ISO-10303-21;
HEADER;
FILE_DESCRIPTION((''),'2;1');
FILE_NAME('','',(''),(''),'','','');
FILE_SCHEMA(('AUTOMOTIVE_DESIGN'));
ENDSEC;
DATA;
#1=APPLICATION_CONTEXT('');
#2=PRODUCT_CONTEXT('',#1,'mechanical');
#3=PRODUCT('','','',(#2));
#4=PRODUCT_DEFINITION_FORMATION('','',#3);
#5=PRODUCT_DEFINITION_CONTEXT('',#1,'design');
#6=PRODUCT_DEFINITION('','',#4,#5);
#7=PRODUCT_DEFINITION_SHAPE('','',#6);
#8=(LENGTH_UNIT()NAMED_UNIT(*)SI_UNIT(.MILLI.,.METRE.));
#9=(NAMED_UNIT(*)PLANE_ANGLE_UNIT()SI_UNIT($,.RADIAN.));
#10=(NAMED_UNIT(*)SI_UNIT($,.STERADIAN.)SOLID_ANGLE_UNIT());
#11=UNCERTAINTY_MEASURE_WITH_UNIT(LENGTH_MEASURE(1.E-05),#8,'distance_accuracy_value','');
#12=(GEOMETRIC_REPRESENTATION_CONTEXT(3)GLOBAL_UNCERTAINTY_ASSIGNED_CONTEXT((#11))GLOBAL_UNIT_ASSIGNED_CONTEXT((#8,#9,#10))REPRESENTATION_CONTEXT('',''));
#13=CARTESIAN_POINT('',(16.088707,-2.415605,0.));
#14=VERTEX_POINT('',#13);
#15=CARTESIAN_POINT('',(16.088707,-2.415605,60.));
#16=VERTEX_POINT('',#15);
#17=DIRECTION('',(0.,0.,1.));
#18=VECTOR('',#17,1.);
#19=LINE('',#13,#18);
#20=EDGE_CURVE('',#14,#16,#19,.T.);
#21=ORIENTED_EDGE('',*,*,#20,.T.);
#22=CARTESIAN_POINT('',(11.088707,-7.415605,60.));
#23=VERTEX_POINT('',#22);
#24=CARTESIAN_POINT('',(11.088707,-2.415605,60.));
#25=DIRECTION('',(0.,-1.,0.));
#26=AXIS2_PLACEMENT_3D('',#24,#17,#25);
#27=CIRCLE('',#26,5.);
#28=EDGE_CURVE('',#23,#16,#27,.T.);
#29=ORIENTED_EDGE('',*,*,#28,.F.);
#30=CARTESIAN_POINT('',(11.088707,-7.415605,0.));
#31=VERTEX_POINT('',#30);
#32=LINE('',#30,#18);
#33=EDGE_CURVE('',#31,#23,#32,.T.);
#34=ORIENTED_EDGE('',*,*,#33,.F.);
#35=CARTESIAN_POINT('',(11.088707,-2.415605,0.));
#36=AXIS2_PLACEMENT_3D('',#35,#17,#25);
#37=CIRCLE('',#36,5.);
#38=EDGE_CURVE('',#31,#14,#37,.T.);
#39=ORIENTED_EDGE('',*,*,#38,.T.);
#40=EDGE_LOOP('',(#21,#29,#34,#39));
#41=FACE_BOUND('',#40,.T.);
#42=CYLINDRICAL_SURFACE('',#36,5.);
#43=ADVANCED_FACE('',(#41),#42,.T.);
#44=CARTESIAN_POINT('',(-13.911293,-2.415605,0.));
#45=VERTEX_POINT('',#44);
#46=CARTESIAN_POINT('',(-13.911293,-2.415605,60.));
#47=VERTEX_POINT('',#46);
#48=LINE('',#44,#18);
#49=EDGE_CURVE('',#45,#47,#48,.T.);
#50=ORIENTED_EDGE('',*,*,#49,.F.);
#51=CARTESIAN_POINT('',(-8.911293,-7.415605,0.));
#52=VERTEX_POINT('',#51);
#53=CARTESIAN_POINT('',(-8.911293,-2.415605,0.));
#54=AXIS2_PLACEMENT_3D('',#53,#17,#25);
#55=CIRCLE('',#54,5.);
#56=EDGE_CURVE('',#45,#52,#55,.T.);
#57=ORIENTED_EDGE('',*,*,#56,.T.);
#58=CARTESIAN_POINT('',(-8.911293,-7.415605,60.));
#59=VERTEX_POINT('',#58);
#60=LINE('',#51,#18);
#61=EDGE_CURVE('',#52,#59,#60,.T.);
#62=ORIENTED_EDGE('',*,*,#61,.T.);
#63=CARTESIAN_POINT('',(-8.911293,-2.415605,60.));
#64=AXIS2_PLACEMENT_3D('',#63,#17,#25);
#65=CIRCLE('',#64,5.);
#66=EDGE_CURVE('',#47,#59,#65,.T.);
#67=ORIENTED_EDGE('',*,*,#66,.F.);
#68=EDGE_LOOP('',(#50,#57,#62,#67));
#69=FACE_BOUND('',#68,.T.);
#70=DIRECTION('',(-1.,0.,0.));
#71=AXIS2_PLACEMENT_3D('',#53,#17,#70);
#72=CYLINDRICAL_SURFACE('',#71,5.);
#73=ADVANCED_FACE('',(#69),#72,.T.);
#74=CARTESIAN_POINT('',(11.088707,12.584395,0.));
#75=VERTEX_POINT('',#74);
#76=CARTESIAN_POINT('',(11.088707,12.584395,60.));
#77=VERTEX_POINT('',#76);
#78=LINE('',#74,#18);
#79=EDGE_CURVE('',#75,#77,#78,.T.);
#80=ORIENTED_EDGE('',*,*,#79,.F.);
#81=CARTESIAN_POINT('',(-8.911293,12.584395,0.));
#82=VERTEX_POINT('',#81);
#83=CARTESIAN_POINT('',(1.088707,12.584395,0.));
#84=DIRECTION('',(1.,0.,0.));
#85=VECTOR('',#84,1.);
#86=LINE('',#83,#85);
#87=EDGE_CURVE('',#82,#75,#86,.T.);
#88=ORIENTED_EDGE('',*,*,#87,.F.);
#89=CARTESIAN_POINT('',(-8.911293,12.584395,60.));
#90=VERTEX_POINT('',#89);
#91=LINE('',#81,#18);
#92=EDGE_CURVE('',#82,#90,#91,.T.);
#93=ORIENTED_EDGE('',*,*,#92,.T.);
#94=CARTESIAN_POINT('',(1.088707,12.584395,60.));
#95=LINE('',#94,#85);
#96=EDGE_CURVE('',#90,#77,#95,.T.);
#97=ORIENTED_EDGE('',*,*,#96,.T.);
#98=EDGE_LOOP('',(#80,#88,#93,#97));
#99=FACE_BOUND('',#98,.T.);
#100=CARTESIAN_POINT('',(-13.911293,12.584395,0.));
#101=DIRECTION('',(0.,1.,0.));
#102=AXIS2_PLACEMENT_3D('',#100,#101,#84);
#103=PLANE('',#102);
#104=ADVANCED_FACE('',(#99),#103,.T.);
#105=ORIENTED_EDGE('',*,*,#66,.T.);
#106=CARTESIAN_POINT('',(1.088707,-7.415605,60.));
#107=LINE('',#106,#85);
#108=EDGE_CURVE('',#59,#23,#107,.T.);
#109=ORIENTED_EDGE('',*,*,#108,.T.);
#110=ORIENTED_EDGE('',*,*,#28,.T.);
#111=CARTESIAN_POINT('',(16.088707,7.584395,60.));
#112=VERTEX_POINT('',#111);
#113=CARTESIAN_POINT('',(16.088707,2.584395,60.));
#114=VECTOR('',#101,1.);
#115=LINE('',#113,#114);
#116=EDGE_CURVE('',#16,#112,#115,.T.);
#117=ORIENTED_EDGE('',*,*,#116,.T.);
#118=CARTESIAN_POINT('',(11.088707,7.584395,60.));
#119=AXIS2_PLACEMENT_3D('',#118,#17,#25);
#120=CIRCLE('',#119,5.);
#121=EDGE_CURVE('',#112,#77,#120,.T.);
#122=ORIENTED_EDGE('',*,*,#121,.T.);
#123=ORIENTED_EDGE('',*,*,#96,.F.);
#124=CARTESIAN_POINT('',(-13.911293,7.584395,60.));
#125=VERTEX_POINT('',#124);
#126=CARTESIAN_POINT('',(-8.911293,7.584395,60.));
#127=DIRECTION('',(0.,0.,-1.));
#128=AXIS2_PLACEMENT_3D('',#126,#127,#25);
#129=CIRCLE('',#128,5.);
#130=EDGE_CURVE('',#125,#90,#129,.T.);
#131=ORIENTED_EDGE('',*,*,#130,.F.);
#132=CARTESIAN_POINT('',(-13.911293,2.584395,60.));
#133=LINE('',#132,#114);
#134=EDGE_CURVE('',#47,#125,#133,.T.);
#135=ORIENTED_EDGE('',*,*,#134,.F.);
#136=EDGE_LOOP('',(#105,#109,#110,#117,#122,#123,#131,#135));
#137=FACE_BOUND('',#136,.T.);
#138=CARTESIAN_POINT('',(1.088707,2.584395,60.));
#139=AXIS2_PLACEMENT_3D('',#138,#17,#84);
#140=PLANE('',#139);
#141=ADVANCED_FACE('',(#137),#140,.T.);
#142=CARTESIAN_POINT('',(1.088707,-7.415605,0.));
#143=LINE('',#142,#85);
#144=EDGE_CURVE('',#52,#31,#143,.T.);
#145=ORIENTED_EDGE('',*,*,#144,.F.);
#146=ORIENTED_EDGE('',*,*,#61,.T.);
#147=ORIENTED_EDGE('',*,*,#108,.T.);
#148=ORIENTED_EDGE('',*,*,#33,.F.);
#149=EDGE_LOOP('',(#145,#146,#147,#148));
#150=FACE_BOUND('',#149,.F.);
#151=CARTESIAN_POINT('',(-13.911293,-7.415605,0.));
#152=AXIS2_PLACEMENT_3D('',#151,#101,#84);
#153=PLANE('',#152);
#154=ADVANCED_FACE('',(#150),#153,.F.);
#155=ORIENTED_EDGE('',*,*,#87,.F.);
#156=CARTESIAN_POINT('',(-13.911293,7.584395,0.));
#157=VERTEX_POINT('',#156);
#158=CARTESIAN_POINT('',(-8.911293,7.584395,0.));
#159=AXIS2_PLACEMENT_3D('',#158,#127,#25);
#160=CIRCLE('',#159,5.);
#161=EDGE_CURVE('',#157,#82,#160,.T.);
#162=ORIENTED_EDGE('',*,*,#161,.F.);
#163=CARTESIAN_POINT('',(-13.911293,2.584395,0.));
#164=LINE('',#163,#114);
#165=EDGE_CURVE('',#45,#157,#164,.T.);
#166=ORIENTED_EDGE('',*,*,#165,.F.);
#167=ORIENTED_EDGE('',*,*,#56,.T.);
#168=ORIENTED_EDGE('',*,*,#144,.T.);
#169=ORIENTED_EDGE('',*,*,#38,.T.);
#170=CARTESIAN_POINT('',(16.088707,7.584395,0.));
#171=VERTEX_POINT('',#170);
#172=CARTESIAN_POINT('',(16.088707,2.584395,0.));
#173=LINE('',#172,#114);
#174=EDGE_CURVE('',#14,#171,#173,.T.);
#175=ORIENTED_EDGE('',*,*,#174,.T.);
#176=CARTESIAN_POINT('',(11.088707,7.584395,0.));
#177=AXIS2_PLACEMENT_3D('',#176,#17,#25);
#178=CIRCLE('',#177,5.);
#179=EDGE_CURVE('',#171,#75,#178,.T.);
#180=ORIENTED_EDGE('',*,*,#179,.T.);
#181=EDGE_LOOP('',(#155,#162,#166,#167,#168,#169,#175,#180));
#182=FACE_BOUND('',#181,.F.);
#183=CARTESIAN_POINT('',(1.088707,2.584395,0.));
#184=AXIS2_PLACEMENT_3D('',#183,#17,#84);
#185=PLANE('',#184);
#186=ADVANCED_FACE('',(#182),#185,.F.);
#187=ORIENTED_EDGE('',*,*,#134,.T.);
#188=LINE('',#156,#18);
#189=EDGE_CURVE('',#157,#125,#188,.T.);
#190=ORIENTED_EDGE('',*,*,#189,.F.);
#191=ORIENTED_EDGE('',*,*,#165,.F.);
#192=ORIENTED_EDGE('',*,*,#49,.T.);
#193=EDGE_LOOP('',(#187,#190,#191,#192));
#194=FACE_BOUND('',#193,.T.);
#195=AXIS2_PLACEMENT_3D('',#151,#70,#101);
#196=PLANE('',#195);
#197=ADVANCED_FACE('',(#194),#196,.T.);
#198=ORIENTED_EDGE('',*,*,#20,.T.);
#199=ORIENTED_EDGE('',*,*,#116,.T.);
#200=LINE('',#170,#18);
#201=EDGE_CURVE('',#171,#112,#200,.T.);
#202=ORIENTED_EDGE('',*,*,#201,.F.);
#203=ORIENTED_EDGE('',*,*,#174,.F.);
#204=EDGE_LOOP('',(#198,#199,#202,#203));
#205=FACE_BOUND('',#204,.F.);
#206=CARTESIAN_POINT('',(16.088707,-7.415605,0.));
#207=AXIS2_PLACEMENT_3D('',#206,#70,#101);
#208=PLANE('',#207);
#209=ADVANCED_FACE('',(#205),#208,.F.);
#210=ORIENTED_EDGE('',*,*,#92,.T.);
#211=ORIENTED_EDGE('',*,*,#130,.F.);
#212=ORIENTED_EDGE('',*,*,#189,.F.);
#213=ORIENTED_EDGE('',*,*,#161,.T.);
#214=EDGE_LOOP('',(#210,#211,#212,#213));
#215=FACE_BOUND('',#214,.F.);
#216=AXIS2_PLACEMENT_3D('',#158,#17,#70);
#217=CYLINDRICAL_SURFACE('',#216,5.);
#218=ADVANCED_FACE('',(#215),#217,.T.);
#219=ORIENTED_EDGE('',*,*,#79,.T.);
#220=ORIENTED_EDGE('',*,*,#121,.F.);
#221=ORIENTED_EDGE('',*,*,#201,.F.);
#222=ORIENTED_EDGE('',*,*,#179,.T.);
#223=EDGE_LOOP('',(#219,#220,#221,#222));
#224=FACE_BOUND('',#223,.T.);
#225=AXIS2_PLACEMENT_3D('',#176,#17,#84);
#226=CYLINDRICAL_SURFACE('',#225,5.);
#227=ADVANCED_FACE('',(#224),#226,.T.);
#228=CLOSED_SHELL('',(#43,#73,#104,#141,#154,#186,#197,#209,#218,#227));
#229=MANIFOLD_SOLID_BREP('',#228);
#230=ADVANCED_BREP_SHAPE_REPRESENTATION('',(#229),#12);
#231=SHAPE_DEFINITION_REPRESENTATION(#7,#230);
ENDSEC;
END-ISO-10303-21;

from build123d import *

# Parameters (mm, degrees)
F0_W     = 30
F0_H     = 20
F1_DEPTH = 60
F2_R     = 5


with BuildPart() as f1:
    # F0 (on Top) → F1 (new body)
    with BuildSketch(Plane.XY):
        with Locations((1.088707, 2.584395)):
            Rectangle(F0_W, F0_H)
    extrude(amount=F1_DEPTH)

    # F2
    f2_edges = [f1.edges().sort_by_distance(p)[0] for p in [
        (-13.911293, -7.415605, 30),
        (-13.911293, 12.584395, 30),
        (16.088707, -7.415605, 30),
        (16.088707, 12.584395, 30),
    ]]
    fillet(f2_edges, radius=F2_R)


solid = f1.part
